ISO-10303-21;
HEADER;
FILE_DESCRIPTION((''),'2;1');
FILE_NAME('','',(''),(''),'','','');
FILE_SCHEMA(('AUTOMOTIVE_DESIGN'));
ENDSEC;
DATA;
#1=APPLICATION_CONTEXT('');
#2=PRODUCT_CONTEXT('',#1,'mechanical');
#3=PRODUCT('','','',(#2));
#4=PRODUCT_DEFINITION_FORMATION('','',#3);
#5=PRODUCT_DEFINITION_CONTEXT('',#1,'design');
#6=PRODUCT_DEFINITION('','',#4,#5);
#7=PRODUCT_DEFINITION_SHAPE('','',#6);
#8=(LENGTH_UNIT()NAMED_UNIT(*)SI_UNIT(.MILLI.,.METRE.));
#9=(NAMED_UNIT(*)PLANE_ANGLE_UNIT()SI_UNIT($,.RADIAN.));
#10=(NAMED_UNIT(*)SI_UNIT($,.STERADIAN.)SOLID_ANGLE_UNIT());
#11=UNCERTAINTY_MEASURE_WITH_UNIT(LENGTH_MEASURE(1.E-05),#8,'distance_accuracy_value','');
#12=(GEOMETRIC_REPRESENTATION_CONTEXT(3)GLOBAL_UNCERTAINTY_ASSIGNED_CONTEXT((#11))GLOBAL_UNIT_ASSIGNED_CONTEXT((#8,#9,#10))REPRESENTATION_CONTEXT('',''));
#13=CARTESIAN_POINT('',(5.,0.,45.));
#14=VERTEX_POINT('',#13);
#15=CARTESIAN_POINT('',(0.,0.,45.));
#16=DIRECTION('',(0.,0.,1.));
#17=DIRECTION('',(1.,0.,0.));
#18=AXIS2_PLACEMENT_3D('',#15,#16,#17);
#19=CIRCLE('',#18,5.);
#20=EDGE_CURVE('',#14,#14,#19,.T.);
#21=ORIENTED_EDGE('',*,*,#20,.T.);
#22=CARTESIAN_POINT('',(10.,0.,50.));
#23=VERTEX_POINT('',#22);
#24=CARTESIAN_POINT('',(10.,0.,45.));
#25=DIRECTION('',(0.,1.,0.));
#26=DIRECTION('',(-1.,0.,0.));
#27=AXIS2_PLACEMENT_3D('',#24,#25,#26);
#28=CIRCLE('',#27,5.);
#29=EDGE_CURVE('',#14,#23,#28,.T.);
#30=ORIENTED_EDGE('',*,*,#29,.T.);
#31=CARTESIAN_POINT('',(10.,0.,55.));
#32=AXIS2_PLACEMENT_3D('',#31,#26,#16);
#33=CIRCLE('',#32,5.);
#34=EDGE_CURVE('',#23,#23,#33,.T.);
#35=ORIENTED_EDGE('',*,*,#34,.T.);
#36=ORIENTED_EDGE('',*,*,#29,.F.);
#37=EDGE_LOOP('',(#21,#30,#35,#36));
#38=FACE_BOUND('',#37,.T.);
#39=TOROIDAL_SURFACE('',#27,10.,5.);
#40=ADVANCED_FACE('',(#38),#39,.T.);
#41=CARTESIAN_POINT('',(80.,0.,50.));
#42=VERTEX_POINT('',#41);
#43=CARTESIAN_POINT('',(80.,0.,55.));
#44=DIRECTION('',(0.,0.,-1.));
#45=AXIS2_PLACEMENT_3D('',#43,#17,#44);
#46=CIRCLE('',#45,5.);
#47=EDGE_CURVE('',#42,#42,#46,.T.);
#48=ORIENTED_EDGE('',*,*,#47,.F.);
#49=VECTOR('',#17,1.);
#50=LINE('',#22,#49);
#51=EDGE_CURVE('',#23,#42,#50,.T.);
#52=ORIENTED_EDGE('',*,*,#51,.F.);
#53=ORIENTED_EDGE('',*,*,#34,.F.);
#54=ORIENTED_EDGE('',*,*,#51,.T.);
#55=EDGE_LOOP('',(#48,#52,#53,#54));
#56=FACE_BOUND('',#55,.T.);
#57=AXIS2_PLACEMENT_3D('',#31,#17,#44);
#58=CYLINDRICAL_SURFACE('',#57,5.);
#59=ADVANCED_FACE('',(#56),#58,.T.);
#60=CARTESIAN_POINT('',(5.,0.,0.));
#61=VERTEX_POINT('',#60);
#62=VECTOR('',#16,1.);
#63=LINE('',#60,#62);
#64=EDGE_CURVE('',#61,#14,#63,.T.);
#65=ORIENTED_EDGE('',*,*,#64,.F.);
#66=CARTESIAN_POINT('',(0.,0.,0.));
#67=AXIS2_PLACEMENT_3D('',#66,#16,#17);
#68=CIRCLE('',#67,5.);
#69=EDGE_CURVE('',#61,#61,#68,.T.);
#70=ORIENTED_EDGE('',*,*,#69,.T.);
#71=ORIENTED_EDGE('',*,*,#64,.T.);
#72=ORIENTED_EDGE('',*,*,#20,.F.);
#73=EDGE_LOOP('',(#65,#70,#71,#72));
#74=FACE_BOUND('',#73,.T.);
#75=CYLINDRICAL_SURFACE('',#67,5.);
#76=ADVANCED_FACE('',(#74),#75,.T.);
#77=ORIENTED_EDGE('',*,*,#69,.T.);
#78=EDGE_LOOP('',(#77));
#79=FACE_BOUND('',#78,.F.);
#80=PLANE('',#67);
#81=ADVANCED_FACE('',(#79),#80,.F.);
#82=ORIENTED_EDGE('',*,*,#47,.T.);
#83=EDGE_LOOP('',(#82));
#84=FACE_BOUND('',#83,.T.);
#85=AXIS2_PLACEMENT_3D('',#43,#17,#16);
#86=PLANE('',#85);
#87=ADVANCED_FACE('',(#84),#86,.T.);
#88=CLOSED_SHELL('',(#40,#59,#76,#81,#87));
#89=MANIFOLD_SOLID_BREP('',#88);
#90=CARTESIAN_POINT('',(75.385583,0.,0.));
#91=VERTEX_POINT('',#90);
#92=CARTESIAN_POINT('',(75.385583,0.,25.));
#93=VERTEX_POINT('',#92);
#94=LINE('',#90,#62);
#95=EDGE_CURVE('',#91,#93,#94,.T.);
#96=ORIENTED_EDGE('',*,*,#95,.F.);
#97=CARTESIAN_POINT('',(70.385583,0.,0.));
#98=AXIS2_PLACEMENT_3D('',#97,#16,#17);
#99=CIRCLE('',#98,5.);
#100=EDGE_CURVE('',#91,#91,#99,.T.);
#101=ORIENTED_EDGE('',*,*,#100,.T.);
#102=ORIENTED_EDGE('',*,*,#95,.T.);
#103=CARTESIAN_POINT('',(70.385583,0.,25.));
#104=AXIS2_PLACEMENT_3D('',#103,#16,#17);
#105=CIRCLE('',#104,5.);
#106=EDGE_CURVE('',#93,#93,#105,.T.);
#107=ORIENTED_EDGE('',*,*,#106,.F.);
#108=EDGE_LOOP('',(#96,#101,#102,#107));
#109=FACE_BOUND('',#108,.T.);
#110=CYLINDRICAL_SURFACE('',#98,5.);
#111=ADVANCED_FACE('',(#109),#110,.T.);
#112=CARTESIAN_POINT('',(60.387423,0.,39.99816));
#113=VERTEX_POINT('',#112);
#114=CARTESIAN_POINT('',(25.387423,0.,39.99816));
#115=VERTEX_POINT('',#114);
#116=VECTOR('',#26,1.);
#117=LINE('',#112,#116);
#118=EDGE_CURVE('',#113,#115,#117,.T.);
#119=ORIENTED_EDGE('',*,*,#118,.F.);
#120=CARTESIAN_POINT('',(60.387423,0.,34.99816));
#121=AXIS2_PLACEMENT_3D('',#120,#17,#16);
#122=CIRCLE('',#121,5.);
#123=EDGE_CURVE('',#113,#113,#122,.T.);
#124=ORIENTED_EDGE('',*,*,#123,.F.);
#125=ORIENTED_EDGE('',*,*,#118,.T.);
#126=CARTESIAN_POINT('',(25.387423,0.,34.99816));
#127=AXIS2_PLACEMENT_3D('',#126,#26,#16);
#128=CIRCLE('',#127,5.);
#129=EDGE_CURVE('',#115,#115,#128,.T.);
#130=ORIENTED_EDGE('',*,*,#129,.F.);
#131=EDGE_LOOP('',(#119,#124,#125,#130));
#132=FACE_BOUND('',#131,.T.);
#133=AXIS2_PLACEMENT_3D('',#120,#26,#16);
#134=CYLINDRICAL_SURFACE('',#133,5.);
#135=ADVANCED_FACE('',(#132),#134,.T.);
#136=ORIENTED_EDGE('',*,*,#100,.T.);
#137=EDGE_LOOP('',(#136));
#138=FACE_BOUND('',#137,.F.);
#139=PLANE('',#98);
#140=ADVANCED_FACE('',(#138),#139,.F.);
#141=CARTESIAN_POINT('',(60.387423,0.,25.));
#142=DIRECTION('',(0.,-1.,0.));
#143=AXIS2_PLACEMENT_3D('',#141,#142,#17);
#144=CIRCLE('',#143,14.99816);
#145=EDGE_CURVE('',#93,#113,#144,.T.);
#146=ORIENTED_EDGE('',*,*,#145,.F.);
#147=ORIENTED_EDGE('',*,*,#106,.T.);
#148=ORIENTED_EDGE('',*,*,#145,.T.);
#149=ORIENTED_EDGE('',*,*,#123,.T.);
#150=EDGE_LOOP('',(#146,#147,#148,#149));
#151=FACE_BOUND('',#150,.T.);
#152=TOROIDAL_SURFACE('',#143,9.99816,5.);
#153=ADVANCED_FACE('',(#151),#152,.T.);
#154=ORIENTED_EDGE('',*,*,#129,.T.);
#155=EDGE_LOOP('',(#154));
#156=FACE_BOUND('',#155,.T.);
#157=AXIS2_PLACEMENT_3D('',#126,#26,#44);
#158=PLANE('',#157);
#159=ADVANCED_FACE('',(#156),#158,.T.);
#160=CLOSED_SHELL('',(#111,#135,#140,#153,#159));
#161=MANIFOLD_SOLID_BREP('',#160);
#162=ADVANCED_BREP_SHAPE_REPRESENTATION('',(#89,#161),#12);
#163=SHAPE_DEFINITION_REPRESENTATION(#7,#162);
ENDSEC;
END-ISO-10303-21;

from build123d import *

# Parameters (mm, degrees)
F1_R = 5
F4_R = 5


with BuildPart() as f2:
    # F2: sweep along a path in F0
    with BuildLine(Plane.XZ) as f2_path:
        Line((0, 0), (0, 45))
        ThreePointArc((0, 45), (2.9289321881, 52.0710678119), (10, 55))
        Line((10, 55), (80, 55))
    # F1 (on Top) → F2 (sweep)
    with BuildSketch(Plane.XY):
        Circle(F1_R)
    sweep(path=f2_path.line)


with BuildPart() as f5:
    # F5: sweep along a path in F3
    with BuildLine(Plane.XZ) as f5_path:
        Line((70.387423113, 0), (70.387423113, 25))
        ThreePointArc((70.387423113, 25), (67.4584909249, 32.0710678119), (60.387423113, 35))
        Line((60.387423113, 35), (25.387423113, 35))
    # F4 (on Top) → F5 (sweep)
    with BuildSketch(Plane.XY):
        with Locations((70.3855827451, 0)):
            Circle(F4_R)
    sweep(path=f5_path.line)


solid = Compound([f2.part, f5.part])
